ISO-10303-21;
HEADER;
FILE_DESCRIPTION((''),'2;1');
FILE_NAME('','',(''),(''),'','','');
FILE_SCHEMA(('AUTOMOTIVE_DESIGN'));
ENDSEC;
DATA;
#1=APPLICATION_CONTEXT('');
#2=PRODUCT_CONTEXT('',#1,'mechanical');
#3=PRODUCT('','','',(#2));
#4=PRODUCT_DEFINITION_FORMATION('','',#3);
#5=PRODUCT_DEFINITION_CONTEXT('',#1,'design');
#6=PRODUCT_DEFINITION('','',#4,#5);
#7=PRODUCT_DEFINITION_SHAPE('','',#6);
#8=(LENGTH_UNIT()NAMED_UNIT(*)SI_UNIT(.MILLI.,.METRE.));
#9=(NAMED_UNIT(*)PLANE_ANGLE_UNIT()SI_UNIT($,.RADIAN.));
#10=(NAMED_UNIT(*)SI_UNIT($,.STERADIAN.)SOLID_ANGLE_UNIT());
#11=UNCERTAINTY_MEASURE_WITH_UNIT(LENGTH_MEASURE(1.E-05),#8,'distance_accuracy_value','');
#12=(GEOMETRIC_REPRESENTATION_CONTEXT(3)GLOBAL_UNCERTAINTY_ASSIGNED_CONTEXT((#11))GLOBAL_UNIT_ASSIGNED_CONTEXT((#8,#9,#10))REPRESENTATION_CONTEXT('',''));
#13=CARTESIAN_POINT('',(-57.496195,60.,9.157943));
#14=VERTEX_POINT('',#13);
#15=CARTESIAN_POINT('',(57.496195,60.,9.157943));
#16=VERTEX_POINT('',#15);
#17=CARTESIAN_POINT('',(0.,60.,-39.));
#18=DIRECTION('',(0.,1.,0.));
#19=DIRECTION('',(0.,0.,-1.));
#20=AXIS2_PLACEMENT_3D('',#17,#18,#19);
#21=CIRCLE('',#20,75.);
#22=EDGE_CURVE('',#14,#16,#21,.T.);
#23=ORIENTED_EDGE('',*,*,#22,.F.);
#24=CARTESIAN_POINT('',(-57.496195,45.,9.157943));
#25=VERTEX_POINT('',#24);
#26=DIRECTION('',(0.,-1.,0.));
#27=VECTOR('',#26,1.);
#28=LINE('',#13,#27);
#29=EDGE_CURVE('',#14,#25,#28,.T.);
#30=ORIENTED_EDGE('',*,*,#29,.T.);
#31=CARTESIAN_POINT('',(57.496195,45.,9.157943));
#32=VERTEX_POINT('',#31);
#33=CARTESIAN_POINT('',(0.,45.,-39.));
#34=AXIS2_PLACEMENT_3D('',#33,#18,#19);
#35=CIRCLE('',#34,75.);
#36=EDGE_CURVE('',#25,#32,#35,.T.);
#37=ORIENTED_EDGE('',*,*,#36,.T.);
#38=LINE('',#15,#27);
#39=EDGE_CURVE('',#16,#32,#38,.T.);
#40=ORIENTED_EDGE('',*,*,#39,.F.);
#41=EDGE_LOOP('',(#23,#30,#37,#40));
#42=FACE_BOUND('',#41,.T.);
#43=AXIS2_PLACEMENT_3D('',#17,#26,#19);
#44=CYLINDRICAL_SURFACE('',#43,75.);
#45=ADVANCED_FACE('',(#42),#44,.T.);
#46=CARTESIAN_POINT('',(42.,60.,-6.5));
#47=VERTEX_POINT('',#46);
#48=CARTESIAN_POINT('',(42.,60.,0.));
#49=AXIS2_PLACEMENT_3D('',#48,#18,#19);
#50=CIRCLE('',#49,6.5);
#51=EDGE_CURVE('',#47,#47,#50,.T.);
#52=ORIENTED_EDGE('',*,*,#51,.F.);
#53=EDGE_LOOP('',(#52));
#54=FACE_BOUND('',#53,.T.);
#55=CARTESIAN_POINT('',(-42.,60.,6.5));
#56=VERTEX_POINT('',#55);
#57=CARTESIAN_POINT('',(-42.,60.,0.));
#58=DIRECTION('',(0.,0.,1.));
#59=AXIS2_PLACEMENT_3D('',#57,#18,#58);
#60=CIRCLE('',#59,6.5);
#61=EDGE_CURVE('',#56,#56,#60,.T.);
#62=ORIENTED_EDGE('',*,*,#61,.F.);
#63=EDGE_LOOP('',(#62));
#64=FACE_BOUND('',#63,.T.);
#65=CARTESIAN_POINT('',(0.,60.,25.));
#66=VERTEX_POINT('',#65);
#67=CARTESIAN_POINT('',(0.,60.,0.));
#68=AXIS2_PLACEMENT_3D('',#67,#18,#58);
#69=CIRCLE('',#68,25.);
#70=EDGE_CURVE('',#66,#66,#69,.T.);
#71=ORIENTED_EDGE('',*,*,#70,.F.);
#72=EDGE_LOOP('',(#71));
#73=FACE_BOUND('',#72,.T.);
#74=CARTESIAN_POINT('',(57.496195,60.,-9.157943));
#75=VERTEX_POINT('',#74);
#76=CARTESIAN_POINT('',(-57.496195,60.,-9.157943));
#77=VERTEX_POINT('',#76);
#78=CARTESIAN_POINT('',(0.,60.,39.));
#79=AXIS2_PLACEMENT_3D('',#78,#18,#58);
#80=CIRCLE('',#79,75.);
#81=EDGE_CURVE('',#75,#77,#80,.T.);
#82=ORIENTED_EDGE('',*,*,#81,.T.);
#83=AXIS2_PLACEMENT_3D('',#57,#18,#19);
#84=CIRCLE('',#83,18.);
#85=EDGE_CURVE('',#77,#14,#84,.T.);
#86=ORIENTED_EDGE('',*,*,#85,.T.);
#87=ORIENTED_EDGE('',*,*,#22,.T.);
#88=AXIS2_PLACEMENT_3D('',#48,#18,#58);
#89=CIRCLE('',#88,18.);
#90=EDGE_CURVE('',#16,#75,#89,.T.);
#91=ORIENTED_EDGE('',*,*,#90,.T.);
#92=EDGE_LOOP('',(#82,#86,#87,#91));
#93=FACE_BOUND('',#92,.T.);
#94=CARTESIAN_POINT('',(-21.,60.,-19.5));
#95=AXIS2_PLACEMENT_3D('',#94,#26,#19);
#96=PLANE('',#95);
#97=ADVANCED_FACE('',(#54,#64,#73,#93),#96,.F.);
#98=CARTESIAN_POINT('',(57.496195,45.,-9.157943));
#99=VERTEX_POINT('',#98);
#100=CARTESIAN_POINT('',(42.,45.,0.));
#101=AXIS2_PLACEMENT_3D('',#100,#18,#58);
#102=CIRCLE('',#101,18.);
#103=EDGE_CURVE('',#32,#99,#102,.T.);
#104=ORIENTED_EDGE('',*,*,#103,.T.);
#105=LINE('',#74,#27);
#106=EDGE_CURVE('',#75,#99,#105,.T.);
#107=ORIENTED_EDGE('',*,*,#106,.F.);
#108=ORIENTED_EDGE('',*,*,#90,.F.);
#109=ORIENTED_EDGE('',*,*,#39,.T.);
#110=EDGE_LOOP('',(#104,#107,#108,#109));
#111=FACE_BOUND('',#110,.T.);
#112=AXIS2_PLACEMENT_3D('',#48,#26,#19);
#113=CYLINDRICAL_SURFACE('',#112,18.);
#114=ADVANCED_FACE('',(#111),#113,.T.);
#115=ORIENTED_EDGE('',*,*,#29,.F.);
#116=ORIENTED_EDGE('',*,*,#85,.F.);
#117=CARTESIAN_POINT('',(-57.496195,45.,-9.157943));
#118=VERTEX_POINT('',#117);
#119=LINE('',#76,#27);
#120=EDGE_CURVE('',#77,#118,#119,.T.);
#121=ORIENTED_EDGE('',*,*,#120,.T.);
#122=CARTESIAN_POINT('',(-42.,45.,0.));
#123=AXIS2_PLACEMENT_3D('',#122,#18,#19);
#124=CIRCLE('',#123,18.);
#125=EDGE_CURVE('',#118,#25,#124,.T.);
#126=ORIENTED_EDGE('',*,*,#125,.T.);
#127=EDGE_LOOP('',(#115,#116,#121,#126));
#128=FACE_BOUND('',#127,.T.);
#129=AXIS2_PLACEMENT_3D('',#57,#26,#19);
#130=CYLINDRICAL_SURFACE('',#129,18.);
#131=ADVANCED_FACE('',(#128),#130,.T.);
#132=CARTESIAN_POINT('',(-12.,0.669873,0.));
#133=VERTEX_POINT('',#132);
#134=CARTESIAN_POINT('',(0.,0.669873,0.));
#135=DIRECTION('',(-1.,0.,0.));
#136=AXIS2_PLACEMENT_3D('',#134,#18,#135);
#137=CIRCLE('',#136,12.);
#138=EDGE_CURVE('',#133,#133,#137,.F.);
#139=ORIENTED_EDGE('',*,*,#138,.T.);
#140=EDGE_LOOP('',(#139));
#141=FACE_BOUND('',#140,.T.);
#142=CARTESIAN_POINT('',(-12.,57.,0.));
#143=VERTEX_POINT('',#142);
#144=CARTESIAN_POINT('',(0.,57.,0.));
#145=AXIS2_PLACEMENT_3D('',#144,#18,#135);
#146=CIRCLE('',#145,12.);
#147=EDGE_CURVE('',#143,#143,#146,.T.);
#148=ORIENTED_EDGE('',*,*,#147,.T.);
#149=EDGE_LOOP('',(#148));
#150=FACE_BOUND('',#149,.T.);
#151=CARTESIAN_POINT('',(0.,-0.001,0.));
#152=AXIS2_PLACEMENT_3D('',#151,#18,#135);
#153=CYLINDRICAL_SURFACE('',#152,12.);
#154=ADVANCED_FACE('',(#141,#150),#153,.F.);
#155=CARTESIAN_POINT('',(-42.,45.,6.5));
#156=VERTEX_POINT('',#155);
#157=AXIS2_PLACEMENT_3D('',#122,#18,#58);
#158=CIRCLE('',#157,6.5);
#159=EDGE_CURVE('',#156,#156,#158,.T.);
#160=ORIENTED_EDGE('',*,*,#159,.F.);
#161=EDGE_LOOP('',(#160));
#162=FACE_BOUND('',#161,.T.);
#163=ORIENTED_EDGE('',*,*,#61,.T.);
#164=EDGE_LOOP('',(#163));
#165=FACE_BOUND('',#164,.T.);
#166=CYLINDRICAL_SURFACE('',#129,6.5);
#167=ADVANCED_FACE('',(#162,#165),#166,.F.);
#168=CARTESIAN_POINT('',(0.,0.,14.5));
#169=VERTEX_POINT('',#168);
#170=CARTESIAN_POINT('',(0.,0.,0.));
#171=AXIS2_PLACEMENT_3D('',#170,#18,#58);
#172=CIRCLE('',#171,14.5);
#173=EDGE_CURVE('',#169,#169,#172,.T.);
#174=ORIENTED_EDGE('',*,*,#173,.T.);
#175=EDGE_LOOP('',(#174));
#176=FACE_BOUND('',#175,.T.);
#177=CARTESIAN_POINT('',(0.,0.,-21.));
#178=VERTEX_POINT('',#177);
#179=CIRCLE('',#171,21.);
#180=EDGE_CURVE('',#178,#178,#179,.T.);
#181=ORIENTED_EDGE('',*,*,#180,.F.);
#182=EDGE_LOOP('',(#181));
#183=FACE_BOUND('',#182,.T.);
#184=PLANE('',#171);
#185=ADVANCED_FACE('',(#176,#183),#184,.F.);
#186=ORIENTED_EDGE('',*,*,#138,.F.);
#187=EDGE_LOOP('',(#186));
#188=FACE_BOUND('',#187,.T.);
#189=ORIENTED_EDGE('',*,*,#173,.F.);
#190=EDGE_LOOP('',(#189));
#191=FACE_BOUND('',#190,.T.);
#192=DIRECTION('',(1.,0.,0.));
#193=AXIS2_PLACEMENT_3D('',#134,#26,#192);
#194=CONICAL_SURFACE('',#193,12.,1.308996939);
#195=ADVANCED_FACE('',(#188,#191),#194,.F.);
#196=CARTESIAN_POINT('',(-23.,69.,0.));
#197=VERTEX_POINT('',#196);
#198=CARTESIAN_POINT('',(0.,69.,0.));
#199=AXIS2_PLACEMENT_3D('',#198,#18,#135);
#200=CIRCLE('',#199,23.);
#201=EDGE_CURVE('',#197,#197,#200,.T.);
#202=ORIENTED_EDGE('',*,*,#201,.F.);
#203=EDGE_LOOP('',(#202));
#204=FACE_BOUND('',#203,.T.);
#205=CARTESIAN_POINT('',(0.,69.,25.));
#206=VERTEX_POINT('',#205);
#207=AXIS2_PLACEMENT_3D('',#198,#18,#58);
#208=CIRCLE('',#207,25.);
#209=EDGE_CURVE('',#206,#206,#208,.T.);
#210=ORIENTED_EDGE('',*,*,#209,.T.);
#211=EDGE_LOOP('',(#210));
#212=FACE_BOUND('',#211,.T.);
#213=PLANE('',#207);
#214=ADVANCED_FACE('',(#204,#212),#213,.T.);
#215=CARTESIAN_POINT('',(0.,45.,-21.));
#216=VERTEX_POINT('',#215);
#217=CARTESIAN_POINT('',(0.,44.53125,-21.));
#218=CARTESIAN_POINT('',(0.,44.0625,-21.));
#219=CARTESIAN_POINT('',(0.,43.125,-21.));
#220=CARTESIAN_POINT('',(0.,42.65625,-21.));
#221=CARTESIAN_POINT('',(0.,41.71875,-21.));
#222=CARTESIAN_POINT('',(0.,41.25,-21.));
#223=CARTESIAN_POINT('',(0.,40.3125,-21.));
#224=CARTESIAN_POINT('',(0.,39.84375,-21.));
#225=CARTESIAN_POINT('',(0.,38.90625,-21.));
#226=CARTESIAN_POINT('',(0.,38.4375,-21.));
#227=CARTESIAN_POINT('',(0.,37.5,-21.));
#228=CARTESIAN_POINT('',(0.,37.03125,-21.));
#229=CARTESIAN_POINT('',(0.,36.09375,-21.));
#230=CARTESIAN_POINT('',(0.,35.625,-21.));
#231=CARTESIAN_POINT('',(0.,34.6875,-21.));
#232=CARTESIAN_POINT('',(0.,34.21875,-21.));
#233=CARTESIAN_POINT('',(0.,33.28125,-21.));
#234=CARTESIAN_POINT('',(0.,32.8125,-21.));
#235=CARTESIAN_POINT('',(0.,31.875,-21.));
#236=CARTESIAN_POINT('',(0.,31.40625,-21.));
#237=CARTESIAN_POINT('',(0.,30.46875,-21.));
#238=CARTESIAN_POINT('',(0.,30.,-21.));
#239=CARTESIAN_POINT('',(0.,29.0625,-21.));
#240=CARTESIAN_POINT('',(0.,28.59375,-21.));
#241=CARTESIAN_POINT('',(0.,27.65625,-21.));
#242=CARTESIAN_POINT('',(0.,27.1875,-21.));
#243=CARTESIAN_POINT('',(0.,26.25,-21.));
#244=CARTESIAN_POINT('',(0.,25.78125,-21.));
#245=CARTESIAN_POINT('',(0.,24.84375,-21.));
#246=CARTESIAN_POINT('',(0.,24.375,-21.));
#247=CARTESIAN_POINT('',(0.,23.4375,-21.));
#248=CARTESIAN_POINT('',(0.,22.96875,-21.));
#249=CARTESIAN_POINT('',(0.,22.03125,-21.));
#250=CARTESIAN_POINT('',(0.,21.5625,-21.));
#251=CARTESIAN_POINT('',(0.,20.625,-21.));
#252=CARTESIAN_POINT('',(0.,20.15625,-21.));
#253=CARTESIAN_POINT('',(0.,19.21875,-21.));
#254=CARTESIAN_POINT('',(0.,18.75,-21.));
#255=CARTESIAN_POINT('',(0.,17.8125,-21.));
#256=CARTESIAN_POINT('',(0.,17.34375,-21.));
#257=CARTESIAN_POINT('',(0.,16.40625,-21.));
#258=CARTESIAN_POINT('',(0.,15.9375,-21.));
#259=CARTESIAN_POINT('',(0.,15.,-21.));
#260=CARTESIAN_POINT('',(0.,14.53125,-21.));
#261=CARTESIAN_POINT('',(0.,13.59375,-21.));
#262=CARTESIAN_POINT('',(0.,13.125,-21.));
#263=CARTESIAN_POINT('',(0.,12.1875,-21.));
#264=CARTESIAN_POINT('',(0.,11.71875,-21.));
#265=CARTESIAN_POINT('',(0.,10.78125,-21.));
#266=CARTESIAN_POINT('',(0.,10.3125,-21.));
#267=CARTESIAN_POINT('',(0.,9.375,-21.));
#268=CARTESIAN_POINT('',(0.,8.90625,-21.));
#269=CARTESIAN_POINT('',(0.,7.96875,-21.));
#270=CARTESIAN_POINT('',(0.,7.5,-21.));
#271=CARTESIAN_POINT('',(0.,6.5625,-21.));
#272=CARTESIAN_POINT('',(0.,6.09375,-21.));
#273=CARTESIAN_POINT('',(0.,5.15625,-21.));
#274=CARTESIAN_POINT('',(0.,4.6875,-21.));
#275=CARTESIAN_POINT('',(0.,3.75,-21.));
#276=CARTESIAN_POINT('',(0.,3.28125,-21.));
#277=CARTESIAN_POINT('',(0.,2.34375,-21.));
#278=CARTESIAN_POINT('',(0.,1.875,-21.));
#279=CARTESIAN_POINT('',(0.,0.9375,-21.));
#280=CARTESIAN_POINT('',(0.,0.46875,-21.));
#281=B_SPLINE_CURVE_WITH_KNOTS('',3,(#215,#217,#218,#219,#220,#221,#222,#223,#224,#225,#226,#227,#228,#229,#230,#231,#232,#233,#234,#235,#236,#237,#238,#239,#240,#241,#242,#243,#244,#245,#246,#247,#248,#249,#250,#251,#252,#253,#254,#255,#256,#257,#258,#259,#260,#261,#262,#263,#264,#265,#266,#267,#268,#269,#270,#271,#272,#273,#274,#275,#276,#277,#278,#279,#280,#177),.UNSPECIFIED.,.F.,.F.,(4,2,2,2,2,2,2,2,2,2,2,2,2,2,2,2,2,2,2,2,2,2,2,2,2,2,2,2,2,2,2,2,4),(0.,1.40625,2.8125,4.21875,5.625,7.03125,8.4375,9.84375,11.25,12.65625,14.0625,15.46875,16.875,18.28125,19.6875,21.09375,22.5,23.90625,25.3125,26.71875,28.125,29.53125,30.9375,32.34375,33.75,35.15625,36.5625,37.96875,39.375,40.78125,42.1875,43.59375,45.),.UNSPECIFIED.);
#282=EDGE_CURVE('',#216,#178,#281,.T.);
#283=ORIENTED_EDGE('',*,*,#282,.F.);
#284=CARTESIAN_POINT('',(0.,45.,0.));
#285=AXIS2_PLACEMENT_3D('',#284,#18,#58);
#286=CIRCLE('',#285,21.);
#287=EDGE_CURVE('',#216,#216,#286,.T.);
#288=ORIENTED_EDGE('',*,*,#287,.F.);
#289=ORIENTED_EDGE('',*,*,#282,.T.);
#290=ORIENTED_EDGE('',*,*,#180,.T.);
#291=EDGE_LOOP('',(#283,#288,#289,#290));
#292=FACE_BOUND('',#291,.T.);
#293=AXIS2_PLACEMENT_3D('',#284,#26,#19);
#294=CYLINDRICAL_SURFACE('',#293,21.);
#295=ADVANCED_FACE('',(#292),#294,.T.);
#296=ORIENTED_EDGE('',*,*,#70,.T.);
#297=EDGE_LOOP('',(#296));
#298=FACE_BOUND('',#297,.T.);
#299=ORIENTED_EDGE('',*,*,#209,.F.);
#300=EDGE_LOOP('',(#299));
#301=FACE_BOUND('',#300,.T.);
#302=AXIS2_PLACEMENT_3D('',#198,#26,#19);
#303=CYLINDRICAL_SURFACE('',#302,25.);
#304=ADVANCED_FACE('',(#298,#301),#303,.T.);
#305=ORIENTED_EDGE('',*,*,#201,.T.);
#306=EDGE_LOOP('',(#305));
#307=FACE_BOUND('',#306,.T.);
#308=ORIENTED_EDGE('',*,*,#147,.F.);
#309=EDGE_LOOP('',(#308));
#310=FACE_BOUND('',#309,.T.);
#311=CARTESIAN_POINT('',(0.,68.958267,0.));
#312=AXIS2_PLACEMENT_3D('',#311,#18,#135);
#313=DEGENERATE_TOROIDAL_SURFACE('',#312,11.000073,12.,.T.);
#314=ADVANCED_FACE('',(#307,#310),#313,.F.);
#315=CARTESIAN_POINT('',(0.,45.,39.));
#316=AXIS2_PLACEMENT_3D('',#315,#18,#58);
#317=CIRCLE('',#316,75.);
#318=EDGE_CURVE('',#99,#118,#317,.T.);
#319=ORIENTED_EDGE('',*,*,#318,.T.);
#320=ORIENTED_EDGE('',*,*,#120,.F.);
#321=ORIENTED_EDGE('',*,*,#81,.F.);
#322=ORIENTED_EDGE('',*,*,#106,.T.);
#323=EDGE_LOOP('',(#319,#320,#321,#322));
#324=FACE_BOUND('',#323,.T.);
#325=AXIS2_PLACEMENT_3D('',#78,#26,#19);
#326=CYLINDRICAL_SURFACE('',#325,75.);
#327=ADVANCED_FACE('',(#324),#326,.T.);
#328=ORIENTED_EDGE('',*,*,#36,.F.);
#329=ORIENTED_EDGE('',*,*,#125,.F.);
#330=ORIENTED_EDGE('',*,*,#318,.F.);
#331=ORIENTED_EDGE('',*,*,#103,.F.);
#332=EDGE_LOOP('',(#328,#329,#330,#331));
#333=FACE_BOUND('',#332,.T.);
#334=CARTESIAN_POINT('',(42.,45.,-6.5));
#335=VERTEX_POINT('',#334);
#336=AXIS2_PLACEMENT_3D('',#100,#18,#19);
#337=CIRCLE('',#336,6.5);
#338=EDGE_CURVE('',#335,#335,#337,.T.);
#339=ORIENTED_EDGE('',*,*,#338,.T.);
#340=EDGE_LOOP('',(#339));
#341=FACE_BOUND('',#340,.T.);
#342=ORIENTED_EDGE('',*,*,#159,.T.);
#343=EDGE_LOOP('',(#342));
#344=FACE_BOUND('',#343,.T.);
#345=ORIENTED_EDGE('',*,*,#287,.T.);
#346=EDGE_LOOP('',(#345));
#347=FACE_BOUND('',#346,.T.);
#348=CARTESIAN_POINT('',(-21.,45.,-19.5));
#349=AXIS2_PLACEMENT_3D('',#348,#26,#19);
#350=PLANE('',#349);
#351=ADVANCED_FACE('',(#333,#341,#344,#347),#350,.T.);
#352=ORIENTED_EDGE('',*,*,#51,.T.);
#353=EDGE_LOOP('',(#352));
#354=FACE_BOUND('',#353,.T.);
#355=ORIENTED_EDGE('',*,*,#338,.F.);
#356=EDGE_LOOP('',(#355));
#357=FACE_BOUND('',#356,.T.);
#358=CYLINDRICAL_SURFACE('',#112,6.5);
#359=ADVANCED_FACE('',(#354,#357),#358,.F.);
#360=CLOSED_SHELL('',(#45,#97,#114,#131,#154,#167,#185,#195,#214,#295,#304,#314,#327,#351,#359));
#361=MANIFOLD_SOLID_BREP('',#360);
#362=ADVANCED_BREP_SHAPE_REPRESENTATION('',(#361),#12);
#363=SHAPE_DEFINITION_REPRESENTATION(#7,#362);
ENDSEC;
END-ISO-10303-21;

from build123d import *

# Parameters (mm, degrees)
SKETCH1_R           = 21
BOSS_EXTRUDE1_DEPTH = 45
SKETCH2_R           = 6.5
BOSS_EXTRUDE2_DEPTH = 15
SKETCH3_R           = 25
BOSS_EXTRUDE3_DEPTH = 9
CUT_EXTRUDE1_REACH  = 92.25
SKETCH5_R           = 12
CHAMFER1_SIZE       = 2.5
CHAMFER1_SIZE2      = 0.669872981


with BuildPart() as part:
    # Sketch1 → Boss-Extrude1 (new body)
    with BuildSketch(Plane(origin=(0, 0, 0), x_dir=(1, 0, 0), z_dir=(0, 1, 0))):
        with Locations(Location((0, 0, 0), (0, 0, 90))):
            Circle(SKETCH1_R)
    extrude(amount=BOSS_EXTRUDE1_DEPTH)

    # Sketch2 → Boss-Extrude2 (add)
    with BuildSketch(Plane(origin=(0, 45, 0), x_dir=(1, 0, 0), z_dir=(0, 1, 0))):
        with BuildLine():
            ThreePointArc((-57.496195447, -9.157943365), (-60, 0), (-57.496195447, 9.157943365))
            ThreePointArc((-57.496195447, 9.157943365), (0, 36), (57.496195447, 9.157943365))
            ThreePointArc((57.496195447, 9.157943365), (60, 0), (57.496195447, -9.157943365))
            ThreePointArc((57.496195447, -9.157943365), (0, -36), (-57.496195447, -9.157943365))
        make_face()
        with Locations(Location((-42, 0, 0), (0, 0, 270))):
            Circle(SKETCH2_R, mode=Mode.SUBTRACT)
        with Locations(Location((42, 0, 0), (0, 0, 90))):
            Circle(SKETCH2_R, mode=Mode.SUBTRACT)
    extrude(amount=BOSS_EXTRUDE2_DEPTH)

    # Sketch3 → Boss-Extrude3 (add)
    with BuildSketch(Plane(origin=(0, 60, 0), x_dir=(1, 0, 0), z_dir=(0, 1, 0))):
        with Locations(Location((0, 0, 0), (0, 0, 270))):
            Circle(SKETCH3_R)
    extrude(amount=BOSS_EXTRUDE3_DEPTH)

    # Sketch4 → Cut-Revolve1 (revolve, cut)
    with BuildSketch(Plane.XY):
        with BuildLine():
            Line((-12, 57), (0, 57))
            Line((0, 57), (0, 69))
            Line((0, 69), (-23, 69))
            ThreePointArc((-23, 69), (-19.845922252, 60.849571269), (-12, 57))
        make_face()
    revolve(axis=Axis((0, 69, 0), (0, -1, 0)), mode=Mode.SUBTRACT)

    # Sketch5 → Cut-Extrude1 (cut, up to next)
    with BuildSketch(Plane(origin=(0, 57, 0), x_dir=(1, 0, 0), z_dir=(0, 1, 0)), mode=Mode.PRIVATE) as cut_extrude1_sk1:
        with Locations(Location((0, 0, 0), (0, 0, 180))):
            Circle(SKETCH5_R)
    cut_extrude1_tool1 = extrude(cut_extrude1_sk1.sketch, amount=-CUT_EXTRUDE1_REACH, mode=Mode.PRIVATE) & part.part
    add(cut_extrude1_tool1.solids().sort_by_distance((0, 57, 0))[0], mode=Mode.SUBTRACT)

    # Chamfer1
    chamfer1_edges = [part.edges().sort_by_distance(p)[0] for p in [
        (12, 0, 0),
    ]]
    chamfer1_side = [part.faces().sort_by_distance(p)[0] for p in [
        (0, 0, 20.406030304),
    ]]
    chamfer(chamfer1_edges, length=CHAMFER1_SIZE, length2=CHAMFER1_SIZE2, reference=chamfer1_side[0])


solid = part.part
